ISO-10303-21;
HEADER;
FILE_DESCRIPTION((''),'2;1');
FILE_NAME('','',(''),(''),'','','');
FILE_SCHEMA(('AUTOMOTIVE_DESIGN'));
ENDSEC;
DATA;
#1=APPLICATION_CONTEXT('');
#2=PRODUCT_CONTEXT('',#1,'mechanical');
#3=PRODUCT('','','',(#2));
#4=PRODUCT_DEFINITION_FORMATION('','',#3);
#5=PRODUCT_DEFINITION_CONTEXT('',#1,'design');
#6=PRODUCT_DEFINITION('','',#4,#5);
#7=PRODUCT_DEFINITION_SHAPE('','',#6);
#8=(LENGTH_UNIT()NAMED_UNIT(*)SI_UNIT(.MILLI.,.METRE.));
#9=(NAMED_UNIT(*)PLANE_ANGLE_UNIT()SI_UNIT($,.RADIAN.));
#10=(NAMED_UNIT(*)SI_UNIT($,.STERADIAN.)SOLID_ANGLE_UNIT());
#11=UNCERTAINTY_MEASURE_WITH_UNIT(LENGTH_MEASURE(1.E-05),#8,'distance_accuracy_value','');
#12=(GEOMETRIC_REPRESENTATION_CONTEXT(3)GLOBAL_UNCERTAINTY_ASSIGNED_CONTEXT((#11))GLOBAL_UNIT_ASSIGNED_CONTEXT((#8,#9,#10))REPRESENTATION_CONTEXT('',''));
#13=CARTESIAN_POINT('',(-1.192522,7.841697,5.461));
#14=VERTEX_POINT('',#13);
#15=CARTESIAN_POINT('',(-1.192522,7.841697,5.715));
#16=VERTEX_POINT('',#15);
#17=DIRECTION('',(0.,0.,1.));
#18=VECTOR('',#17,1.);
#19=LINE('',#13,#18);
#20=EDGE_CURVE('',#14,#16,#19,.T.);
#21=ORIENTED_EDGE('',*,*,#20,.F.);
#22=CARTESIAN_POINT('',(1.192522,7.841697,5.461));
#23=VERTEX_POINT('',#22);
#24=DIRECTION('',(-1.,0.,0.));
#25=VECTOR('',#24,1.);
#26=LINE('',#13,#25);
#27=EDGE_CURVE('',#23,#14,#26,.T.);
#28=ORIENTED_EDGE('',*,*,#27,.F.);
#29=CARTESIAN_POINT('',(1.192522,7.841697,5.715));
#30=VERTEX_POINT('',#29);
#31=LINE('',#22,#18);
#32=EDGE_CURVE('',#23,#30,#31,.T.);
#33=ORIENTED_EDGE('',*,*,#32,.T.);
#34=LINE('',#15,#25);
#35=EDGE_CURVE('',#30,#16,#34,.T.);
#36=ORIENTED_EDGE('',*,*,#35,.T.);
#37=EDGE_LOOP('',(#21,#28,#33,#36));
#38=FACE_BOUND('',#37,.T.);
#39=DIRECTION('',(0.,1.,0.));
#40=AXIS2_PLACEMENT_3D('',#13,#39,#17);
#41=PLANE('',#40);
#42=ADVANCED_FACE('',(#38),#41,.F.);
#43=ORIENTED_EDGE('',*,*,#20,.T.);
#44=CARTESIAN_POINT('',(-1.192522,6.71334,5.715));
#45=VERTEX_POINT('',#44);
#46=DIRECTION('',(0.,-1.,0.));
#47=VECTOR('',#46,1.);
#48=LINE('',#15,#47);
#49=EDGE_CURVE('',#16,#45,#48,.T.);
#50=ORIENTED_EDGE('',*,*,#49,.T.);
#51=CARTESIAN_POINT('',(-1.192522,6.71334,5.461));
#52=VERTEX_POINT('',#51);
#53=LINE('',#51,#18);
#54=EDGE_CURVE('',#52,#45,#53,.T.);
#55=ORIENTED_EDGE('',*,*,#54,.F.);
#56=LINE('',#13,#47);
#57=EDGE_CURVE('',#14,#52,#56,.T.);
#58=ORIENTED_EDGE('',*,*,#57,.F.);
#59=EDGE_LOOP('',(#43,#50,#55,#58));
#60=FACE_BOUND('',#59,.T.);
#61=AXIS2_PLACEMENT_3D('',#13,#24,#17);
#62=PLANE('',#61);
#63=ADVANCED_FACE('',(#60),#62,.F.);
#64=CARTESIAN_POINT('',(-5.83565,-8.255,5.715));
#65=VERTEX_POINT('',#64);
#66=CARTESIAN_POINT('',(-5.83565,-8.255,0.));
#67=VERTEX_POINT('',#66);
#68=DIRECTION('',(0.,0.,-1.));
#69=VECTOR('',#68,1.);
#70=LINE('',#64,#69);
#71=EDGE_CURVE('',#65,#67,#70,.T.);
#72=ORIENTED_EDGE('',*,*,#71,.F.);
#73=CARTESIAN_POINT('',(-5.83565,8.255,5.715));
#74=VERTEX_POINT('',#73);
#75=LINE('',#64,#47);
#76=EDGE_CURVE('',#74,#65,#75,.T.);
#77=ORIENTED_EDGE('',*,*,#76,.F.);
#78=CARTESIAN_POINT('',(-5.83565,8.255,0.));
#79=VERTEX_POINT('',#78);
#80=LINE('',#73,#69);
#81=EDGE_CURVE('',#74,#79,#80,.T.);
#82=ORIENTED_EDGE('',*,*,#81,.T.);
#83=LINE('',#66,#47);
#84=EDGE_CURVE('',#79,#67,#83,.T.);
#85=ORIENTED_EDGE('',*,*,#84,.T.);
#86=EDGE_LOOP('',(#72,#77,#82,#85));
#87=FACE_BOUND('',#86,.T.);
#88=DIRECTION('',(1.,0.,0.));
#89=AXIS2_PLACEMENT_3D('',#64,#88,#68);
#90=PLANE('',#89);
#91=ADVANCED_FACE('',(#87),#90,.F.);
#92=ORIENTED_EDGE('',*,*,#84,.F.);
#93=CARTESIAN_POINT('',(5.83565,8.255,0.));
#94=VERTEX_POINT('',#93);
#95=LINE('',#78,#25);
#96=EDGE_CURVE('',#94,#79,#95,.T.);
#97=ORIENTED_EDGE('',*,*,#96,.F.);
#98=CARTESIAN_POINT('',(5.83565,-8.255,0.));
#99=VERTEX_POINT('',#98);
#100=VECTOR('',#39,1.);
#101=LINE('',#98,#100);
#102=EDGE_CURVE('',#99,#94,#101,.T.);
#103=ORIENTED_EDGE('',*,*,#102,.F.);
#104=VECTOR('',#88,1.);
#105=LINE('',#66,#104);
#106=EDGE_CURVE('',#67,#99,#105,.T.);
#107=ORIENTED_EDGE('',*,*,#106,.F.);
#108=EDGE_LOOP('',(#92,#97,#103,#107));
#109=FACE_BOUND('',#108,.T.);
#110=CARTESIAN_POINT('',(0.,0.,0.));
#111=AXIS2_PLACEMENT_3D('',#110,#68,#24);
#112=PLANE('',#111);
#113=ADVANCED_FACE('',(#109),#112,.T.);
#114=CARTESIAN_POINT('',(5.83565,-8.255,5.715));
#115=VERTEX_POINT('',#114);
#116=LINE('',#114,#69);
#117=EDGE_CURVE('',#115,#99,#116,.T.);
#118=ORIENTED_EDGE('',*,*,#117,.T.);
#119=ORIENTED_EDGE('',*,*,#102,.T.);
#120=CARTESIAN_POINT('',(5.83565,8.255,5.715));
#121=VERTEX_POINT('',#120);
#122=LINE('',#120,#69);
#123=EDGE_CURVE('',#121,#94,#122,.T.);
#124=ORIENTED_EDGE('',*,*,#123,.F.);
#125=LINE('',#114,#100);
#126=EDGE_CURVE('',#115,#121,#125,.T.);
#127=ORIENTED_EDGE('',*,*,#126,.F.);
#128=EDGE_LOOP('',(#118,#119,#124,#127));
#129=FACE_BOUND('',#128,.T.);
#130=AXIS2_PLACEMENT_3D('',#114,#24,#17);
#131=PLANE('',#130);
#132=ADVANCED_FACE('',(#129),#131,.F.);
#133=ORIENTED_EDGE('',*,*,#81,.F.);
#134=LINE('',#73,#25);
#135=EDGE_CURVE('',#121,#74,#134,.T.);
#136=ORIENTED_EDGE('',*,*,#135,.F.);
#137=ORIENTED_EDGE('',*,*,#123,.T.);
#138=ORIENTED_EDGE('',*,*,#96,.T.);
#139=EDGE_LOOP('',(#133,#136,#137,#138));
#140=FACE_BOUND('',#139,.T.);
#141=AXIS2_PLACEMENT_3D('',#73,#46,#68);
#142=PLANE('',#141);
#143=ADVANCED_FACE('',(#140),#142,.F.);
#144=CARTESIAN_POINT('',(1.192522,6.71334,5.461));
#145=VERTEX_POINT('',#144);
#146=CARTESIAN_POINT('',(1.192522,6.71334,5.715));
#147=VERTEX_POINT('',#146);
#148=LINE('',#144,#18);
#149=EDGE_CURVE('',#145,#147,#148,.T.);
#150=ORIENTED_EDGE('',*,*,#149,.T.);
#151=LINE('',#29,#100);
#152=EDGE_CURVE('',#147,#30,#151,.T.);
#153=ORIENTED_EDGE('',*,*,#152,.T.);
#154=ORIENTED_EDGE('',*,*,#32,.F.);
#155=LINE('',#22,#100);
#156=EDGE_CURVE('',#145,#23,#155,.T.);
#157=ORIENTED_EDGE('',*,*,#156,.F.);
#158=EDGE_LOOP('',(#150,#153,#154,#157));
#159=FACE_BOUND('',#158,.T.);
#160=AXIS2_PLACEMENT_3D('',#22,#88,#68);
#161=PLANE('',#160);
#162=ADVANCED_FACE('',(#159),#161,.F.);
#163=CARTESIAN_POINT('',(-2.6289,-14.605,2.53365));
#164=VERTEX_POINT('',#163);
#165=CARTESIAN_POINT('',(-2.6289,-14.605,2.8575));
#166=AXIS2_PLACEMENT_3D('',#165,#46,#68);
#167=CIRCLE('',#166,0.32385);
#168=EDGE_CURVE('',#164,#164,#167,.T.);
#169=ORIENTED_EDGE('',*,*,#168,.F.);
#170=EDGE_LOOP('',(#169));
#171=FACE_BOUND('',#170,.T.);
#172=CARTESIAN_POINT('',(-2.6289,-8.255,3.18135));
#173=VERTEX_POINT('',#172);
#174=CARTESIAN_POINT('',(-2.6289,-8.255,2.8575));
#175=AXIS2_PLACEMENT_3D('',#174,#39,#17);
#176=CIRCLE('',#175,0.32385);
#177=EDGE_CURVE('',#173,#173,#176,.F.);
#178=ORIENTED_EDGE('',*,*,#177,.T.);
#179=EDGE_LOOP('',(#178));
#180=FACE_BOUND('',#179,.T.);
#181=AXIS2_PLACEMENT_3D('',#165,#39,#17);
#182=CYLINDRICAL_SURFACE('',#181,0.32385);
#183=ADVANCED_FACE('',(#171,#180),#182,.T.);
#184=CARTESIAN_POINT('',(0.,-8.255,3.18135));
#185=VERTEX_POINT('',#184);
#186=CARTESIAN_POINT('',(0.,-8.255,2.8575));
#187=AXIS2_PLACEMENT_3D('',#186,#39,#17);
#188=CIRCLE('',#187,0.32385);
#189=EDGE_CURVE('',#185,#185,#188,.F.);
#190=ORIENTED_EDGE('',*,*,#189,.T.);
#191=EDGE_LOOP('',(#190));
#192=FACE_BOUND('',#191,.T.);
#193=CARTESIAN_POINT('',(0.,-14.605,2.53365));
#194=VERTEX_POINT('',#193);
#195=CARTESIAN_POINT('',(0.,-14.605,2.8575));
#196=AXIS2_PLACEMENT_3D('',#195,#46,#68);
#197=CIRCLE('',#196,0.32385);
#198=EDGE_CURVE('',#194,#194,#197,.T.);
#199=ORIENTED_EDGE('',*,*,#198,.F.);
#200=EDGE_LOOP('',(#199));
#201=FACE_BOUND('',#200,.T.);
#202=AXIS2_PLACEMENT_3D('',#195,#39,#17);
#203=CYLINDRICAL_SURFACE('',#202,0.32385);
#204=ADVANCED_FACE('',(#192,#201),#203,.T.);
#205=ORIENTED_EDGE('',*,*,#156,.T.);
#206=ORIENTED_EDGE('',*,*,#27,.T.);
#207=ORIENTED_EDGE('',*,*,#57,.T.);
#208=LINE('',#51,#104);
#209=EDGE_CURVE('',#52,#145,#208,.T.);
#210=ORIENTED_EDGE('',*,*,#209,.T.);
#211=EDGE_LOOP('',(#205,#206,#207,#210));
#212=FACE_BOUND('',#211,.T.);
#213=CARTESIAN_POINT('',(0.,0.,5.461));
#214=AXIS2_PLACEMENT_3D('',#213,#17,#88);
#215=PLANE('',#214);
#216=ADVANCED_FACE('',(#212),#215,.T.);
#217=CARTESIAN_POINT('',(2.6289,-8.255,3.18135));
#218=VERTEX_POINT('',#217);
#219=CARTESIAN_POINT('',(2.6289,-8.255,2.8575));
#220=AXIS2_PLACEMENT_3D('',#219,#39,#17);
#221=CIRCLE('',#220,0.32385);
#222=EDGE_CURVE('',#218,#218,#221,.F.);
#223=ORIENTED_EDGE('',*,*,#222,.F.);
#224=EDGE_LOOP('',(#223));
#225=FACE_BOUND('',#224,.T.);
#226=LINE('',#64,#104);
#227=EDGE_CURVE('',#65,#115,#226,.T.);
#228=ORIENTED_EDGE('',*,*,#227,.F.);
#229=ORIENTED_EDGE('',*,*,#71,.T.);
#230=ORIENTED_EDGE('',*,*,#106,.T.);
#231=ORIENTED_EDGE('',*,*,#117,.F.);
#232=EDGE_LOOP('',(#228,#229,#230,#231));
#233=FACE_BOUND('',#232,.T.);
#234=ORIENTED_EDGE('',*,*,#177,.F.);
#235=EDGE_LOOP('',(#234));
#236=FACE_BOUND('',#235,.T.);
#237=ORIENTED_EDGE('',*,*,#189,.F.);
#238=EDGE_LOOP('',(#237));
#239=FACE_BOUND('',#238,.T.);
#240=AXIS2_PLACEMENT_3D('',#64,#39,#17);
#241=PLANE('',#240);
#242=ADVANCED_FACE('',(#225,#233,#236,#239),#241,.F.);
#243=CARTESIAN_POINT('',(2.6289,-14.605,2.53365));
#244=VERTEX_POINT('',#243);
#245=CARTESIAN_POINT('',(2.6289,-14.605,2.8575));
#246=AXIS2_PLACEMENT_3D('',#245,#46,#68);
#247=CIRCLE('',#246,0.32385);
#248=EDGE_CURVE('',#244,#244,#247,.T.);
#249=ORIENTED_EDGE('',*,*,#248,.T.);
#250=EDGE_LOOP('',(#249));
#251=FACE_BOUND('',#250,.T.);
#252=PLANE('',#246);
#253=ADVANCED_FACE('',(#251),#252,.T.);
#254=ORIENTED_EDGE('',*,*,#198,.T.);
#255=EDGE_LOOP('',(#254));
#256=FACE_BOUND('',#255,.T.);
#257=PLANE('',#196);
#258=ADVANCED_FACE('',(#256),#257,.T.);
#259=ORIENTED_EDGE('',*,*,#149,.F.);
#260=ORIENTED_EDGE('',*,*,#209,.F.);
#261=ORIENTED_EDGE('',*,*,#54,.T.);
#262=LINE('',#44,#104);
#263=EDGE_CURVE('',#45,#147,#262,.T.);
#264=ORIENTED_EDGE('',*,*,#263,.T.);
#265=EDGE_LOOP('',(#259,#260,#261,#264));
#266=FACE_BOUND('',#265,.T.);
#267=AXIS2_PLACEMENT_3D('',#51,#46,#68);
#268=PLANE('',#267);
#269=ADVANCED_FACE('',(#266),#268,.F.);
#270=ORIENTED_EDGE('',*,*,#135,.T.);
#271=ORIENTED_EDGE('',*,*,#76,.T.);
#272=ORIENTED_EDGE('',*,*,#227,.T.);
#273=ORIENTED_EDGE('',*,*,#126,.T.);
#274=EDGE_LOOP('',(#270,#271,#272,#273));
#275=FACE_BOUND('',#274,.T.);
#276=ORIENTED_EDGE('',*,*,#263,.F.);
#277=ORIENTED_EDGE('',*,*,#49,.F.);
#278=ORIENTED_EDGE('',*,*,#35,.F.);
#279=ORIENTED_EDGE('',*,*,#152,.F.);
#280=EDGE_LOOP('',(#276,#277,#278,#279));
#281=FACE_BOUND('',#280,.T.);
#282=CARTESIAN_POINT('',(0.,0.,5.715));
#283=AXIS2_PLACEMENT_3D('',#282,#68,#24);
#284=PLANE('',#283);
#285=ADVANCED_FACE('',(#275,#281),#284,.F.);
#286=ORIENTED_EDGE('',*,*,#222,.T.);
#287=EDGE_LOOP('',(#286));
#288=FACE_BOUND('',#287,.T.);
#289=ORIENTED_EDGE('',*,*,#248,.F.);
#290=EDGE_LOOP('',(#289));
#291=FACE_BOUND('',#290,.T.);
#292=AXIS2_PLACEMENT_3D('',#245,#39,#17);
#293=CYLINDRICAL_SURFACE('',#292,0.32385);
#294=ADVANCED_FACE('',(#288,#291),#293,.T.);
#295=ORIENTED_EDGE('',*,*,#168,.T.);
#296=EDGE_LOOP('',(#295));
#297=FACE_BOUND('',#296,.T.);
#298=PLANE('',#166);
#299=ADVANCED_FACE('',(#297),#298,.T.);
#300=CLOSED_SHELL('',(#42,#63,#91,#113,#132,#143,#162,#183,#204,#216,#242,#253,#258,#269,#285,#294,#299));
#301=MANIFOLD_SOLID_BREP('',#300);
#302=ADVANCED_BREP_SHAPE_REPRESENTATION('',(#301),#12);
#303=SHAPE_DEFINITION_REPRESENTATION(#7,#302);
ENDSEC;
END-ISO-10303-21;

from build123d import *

# Parameters (mm, degrees)
SKETCH1_W           = 11.6713
SKETCH1_H           = 16.51
BOSS_EXTRUDE1_DEPTH = 5.715
SKETCH2_W           = 2.385044452
SKETCH2_H           = 1.128356889
CUT_EXTRUDE1_DEPTH  = 0.254
SKETCH3_R           = 0.32385
BOSS_EXTRUDE2_DEPTH = 6.35


with BuildPart() as part:
    # Sketch1 → Boss-Extrude1 (new body)
    with BuildSketch(Plane.XY):
        Rectangle(SKETCH1_W, SKETCH1_H)
    extrude(amount=BOSS_EXTRUDE1_DEPTH)

    # Sketch2 → Cut-Extrude1 (cut)
    with BuildSketch(Plane.XY.offset(5.715)):
        with Locations((0, 7.277518213)):
            Rectangle(SKETCH2_W, SKETCH2_H)
    extrude(amount=-CUT_EXTRUDE1_DEPTH, mode=Mode.SUBTRACT)

    # Sketch3 → Boss-Extrude2 (add)
    with BuildSketch(Plane.XZ.offset(8.255)):
        with Locations((-2.6289, 2.8575)):
            Circle(SKETCH3_R)
        with Locations((0, 2.8575)):
            Circle(SKETCH3_R)
        with Locations((2.6289, 2.8575)):
            Circle(SKETCH3_R)
    extrude(amount=BOSS_EXTRUDE2_DEPTH)


solid = part.part
